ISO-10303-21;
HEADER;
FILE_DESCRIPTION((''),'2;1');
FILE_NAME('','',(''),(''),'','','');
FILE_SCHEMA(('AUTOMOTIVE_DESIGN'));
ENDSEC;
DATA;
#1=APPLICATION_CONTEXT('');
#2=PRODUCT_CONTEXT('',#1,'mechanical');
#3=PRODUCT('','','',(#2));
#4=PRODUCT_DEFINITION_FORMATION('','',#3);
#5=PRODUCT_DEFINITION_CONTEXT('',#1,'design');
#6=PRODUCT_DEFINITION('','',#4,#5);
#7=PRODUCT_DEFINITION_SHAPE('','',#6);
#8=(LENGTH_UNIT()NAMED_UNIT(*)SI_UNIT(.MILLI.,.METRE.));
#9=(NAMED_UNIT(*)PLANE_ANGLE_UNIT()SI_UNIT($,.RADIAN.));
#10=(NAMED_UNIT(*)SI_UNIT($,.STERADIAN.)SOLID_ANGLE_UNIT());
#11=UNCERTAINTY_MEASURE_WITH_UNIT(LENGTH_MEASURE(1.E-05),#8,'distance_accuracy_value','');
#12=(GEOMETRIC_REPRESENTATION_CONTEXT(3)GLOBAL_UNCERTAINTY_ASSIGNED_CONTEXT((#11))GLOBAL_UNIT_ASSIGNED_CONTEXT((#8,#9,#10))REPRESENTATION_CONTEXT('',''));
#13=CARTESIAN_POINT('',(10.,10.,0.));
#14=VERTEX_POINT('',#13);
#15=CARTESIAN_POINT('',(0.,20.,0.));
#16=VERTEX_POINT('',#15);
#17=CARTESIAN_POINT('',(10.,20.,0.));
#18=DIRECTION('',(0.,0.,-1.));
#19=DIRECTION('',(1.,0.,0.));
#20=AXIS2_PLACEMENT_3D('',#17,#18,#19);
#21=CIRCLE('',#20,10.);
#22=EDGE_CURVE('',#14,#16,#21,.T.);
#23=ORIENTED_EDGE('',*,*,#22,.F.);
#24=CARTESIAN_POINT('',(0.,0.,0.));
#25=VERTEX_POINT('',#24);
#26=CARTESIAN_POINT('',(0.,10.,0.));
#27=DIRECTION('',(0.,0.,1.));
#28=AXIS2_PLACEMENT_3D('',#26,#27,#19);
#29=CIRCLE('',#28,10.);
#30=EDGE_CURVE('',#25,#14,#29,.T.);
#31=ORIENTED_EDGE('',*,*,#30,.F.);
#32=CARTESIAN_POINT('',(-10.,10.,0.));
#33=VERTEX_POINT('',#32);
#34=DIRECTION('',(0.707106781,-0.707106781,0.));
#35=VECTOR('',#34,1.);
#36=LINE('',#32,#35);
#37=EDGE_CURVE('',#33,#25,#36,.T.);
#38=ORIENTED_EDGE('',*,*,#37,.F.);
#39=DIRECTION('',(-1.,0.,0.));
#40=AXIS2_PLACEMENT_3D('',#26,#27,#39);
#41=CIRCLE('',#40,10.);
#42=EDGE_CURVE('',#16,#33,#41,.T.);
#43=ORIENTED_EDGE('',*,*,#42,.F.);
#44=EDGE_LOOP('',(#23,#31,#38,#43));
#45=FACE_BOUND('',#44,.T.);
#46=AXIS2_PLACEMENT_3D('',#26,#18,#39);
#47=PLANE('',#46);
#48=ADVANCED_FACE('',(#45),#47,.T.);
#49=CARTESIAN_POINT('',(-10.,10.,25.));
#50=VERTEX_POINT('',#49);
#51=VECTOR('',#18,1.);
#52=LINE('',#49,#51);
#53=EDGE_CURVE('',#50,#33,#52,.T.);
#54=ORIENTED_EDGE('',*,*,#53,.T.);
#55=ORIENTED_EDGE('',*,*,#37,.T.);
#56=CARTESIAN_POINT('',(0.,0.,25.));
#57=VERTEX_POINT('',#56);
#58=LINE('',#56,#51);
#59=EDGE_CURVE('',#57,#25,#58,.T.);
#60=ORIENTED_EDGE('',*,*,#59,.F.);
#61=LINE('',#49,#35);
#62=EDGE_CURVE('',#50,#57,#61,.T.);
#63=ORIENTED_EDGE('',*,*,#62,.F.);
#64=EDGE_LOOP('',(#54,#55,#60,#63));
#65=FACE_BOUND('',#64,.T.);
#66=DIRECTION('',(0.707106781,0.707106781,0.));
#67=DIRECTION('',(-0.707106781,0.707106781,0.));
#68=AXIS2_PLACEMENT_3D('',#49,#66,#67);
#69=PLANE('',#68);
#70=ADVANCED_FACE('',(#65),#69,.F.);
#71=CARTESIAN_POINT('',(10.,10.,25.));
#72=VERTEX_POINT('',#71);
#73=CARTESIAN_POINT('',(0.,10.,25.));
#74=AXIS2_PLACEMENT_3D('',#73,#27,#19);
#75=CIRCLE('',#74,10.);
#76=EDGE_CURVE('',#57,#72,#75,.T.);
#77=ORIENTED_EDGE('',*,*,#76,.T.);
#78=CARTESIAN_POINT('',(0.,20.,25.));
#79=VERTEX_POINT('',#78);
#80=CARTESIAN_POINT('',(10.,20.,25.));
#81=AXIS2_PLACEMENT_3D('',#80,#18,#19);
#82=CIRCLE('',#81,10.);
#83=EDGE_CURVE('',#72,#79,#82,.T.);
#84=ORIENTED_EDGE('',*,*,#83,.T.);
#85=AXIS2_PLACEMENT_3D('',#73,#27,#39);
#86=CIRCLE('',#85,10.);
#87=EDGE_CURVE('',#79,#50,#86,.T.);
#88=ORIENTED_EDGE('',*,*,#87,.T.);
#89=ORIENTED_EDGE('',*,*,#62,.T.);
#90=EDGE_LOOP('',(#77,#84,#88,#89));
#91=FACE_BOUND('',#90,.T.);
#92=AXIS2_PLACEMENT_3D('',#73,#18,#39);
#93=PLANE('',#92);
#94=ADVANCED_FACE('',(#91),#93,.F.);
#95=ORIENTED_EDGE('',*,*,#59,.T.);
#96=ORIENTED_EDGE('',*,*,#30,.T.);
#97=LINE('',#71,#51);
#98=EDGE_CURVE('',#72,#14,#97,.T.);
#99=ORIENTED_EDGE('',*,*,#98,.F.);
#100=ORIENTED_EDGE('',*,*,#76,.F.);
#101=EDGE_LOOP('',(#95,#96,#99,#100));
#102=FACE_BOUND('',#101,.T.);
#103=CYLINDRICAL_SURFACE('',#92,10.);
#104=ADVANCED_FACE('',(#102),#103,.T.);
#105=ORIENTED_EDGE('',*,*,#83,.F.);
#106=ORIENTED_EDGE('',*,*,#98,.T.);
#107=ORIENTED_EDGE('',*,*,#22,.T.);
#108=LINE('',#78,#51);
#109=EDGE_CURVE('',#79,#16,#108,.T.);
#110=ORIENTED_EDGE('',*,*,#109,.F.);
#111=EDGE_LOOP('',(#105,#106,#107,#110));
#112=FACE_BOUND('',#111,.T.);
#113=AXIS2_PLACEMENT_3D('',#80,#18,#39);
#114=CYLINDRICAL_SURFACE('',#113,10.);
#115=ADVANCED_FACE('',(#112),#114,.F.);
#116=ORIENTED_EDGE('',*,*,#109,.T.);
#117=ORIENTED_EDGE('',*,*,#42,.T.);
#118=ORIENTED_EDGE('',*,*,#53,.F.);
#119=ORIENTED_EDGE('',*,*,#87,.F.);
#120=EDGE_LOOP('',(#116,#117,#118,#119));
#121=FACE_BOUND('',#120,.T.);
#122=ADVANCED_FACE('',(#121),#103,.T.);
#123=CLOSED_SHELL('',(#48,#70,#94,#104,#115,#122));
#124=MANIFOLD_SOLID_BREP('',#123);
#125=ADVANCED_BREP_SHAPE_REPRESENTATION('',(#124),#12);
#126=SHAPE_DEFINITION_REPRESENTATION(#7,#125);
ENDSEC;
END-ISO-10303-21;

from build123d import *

# Parameters (mm, degrees)
BOSS_EXTRUDE1_DEPTH = 25


with BuildPart() as part:
    # Sketch1 → Boss-Extrude1 (new body)
    with BuildSketch(Plane.XY):
        with BuildLine():
            Line((-10, 10), (0, 0))
            ThreePointArc((0, 0), (7.071067812, 2.928932188), (10, 10))
            ThreePointArc((10, 10), (2.928932188, 12.928932188), (0, 20))
            ThreePointArc((0, 20), (-7.071067812, 17.071067812), (-10, 10))
        make_face()
    extrude(amount=BOSS_EXTRUDE1_DEPTH)


solid = part.part
